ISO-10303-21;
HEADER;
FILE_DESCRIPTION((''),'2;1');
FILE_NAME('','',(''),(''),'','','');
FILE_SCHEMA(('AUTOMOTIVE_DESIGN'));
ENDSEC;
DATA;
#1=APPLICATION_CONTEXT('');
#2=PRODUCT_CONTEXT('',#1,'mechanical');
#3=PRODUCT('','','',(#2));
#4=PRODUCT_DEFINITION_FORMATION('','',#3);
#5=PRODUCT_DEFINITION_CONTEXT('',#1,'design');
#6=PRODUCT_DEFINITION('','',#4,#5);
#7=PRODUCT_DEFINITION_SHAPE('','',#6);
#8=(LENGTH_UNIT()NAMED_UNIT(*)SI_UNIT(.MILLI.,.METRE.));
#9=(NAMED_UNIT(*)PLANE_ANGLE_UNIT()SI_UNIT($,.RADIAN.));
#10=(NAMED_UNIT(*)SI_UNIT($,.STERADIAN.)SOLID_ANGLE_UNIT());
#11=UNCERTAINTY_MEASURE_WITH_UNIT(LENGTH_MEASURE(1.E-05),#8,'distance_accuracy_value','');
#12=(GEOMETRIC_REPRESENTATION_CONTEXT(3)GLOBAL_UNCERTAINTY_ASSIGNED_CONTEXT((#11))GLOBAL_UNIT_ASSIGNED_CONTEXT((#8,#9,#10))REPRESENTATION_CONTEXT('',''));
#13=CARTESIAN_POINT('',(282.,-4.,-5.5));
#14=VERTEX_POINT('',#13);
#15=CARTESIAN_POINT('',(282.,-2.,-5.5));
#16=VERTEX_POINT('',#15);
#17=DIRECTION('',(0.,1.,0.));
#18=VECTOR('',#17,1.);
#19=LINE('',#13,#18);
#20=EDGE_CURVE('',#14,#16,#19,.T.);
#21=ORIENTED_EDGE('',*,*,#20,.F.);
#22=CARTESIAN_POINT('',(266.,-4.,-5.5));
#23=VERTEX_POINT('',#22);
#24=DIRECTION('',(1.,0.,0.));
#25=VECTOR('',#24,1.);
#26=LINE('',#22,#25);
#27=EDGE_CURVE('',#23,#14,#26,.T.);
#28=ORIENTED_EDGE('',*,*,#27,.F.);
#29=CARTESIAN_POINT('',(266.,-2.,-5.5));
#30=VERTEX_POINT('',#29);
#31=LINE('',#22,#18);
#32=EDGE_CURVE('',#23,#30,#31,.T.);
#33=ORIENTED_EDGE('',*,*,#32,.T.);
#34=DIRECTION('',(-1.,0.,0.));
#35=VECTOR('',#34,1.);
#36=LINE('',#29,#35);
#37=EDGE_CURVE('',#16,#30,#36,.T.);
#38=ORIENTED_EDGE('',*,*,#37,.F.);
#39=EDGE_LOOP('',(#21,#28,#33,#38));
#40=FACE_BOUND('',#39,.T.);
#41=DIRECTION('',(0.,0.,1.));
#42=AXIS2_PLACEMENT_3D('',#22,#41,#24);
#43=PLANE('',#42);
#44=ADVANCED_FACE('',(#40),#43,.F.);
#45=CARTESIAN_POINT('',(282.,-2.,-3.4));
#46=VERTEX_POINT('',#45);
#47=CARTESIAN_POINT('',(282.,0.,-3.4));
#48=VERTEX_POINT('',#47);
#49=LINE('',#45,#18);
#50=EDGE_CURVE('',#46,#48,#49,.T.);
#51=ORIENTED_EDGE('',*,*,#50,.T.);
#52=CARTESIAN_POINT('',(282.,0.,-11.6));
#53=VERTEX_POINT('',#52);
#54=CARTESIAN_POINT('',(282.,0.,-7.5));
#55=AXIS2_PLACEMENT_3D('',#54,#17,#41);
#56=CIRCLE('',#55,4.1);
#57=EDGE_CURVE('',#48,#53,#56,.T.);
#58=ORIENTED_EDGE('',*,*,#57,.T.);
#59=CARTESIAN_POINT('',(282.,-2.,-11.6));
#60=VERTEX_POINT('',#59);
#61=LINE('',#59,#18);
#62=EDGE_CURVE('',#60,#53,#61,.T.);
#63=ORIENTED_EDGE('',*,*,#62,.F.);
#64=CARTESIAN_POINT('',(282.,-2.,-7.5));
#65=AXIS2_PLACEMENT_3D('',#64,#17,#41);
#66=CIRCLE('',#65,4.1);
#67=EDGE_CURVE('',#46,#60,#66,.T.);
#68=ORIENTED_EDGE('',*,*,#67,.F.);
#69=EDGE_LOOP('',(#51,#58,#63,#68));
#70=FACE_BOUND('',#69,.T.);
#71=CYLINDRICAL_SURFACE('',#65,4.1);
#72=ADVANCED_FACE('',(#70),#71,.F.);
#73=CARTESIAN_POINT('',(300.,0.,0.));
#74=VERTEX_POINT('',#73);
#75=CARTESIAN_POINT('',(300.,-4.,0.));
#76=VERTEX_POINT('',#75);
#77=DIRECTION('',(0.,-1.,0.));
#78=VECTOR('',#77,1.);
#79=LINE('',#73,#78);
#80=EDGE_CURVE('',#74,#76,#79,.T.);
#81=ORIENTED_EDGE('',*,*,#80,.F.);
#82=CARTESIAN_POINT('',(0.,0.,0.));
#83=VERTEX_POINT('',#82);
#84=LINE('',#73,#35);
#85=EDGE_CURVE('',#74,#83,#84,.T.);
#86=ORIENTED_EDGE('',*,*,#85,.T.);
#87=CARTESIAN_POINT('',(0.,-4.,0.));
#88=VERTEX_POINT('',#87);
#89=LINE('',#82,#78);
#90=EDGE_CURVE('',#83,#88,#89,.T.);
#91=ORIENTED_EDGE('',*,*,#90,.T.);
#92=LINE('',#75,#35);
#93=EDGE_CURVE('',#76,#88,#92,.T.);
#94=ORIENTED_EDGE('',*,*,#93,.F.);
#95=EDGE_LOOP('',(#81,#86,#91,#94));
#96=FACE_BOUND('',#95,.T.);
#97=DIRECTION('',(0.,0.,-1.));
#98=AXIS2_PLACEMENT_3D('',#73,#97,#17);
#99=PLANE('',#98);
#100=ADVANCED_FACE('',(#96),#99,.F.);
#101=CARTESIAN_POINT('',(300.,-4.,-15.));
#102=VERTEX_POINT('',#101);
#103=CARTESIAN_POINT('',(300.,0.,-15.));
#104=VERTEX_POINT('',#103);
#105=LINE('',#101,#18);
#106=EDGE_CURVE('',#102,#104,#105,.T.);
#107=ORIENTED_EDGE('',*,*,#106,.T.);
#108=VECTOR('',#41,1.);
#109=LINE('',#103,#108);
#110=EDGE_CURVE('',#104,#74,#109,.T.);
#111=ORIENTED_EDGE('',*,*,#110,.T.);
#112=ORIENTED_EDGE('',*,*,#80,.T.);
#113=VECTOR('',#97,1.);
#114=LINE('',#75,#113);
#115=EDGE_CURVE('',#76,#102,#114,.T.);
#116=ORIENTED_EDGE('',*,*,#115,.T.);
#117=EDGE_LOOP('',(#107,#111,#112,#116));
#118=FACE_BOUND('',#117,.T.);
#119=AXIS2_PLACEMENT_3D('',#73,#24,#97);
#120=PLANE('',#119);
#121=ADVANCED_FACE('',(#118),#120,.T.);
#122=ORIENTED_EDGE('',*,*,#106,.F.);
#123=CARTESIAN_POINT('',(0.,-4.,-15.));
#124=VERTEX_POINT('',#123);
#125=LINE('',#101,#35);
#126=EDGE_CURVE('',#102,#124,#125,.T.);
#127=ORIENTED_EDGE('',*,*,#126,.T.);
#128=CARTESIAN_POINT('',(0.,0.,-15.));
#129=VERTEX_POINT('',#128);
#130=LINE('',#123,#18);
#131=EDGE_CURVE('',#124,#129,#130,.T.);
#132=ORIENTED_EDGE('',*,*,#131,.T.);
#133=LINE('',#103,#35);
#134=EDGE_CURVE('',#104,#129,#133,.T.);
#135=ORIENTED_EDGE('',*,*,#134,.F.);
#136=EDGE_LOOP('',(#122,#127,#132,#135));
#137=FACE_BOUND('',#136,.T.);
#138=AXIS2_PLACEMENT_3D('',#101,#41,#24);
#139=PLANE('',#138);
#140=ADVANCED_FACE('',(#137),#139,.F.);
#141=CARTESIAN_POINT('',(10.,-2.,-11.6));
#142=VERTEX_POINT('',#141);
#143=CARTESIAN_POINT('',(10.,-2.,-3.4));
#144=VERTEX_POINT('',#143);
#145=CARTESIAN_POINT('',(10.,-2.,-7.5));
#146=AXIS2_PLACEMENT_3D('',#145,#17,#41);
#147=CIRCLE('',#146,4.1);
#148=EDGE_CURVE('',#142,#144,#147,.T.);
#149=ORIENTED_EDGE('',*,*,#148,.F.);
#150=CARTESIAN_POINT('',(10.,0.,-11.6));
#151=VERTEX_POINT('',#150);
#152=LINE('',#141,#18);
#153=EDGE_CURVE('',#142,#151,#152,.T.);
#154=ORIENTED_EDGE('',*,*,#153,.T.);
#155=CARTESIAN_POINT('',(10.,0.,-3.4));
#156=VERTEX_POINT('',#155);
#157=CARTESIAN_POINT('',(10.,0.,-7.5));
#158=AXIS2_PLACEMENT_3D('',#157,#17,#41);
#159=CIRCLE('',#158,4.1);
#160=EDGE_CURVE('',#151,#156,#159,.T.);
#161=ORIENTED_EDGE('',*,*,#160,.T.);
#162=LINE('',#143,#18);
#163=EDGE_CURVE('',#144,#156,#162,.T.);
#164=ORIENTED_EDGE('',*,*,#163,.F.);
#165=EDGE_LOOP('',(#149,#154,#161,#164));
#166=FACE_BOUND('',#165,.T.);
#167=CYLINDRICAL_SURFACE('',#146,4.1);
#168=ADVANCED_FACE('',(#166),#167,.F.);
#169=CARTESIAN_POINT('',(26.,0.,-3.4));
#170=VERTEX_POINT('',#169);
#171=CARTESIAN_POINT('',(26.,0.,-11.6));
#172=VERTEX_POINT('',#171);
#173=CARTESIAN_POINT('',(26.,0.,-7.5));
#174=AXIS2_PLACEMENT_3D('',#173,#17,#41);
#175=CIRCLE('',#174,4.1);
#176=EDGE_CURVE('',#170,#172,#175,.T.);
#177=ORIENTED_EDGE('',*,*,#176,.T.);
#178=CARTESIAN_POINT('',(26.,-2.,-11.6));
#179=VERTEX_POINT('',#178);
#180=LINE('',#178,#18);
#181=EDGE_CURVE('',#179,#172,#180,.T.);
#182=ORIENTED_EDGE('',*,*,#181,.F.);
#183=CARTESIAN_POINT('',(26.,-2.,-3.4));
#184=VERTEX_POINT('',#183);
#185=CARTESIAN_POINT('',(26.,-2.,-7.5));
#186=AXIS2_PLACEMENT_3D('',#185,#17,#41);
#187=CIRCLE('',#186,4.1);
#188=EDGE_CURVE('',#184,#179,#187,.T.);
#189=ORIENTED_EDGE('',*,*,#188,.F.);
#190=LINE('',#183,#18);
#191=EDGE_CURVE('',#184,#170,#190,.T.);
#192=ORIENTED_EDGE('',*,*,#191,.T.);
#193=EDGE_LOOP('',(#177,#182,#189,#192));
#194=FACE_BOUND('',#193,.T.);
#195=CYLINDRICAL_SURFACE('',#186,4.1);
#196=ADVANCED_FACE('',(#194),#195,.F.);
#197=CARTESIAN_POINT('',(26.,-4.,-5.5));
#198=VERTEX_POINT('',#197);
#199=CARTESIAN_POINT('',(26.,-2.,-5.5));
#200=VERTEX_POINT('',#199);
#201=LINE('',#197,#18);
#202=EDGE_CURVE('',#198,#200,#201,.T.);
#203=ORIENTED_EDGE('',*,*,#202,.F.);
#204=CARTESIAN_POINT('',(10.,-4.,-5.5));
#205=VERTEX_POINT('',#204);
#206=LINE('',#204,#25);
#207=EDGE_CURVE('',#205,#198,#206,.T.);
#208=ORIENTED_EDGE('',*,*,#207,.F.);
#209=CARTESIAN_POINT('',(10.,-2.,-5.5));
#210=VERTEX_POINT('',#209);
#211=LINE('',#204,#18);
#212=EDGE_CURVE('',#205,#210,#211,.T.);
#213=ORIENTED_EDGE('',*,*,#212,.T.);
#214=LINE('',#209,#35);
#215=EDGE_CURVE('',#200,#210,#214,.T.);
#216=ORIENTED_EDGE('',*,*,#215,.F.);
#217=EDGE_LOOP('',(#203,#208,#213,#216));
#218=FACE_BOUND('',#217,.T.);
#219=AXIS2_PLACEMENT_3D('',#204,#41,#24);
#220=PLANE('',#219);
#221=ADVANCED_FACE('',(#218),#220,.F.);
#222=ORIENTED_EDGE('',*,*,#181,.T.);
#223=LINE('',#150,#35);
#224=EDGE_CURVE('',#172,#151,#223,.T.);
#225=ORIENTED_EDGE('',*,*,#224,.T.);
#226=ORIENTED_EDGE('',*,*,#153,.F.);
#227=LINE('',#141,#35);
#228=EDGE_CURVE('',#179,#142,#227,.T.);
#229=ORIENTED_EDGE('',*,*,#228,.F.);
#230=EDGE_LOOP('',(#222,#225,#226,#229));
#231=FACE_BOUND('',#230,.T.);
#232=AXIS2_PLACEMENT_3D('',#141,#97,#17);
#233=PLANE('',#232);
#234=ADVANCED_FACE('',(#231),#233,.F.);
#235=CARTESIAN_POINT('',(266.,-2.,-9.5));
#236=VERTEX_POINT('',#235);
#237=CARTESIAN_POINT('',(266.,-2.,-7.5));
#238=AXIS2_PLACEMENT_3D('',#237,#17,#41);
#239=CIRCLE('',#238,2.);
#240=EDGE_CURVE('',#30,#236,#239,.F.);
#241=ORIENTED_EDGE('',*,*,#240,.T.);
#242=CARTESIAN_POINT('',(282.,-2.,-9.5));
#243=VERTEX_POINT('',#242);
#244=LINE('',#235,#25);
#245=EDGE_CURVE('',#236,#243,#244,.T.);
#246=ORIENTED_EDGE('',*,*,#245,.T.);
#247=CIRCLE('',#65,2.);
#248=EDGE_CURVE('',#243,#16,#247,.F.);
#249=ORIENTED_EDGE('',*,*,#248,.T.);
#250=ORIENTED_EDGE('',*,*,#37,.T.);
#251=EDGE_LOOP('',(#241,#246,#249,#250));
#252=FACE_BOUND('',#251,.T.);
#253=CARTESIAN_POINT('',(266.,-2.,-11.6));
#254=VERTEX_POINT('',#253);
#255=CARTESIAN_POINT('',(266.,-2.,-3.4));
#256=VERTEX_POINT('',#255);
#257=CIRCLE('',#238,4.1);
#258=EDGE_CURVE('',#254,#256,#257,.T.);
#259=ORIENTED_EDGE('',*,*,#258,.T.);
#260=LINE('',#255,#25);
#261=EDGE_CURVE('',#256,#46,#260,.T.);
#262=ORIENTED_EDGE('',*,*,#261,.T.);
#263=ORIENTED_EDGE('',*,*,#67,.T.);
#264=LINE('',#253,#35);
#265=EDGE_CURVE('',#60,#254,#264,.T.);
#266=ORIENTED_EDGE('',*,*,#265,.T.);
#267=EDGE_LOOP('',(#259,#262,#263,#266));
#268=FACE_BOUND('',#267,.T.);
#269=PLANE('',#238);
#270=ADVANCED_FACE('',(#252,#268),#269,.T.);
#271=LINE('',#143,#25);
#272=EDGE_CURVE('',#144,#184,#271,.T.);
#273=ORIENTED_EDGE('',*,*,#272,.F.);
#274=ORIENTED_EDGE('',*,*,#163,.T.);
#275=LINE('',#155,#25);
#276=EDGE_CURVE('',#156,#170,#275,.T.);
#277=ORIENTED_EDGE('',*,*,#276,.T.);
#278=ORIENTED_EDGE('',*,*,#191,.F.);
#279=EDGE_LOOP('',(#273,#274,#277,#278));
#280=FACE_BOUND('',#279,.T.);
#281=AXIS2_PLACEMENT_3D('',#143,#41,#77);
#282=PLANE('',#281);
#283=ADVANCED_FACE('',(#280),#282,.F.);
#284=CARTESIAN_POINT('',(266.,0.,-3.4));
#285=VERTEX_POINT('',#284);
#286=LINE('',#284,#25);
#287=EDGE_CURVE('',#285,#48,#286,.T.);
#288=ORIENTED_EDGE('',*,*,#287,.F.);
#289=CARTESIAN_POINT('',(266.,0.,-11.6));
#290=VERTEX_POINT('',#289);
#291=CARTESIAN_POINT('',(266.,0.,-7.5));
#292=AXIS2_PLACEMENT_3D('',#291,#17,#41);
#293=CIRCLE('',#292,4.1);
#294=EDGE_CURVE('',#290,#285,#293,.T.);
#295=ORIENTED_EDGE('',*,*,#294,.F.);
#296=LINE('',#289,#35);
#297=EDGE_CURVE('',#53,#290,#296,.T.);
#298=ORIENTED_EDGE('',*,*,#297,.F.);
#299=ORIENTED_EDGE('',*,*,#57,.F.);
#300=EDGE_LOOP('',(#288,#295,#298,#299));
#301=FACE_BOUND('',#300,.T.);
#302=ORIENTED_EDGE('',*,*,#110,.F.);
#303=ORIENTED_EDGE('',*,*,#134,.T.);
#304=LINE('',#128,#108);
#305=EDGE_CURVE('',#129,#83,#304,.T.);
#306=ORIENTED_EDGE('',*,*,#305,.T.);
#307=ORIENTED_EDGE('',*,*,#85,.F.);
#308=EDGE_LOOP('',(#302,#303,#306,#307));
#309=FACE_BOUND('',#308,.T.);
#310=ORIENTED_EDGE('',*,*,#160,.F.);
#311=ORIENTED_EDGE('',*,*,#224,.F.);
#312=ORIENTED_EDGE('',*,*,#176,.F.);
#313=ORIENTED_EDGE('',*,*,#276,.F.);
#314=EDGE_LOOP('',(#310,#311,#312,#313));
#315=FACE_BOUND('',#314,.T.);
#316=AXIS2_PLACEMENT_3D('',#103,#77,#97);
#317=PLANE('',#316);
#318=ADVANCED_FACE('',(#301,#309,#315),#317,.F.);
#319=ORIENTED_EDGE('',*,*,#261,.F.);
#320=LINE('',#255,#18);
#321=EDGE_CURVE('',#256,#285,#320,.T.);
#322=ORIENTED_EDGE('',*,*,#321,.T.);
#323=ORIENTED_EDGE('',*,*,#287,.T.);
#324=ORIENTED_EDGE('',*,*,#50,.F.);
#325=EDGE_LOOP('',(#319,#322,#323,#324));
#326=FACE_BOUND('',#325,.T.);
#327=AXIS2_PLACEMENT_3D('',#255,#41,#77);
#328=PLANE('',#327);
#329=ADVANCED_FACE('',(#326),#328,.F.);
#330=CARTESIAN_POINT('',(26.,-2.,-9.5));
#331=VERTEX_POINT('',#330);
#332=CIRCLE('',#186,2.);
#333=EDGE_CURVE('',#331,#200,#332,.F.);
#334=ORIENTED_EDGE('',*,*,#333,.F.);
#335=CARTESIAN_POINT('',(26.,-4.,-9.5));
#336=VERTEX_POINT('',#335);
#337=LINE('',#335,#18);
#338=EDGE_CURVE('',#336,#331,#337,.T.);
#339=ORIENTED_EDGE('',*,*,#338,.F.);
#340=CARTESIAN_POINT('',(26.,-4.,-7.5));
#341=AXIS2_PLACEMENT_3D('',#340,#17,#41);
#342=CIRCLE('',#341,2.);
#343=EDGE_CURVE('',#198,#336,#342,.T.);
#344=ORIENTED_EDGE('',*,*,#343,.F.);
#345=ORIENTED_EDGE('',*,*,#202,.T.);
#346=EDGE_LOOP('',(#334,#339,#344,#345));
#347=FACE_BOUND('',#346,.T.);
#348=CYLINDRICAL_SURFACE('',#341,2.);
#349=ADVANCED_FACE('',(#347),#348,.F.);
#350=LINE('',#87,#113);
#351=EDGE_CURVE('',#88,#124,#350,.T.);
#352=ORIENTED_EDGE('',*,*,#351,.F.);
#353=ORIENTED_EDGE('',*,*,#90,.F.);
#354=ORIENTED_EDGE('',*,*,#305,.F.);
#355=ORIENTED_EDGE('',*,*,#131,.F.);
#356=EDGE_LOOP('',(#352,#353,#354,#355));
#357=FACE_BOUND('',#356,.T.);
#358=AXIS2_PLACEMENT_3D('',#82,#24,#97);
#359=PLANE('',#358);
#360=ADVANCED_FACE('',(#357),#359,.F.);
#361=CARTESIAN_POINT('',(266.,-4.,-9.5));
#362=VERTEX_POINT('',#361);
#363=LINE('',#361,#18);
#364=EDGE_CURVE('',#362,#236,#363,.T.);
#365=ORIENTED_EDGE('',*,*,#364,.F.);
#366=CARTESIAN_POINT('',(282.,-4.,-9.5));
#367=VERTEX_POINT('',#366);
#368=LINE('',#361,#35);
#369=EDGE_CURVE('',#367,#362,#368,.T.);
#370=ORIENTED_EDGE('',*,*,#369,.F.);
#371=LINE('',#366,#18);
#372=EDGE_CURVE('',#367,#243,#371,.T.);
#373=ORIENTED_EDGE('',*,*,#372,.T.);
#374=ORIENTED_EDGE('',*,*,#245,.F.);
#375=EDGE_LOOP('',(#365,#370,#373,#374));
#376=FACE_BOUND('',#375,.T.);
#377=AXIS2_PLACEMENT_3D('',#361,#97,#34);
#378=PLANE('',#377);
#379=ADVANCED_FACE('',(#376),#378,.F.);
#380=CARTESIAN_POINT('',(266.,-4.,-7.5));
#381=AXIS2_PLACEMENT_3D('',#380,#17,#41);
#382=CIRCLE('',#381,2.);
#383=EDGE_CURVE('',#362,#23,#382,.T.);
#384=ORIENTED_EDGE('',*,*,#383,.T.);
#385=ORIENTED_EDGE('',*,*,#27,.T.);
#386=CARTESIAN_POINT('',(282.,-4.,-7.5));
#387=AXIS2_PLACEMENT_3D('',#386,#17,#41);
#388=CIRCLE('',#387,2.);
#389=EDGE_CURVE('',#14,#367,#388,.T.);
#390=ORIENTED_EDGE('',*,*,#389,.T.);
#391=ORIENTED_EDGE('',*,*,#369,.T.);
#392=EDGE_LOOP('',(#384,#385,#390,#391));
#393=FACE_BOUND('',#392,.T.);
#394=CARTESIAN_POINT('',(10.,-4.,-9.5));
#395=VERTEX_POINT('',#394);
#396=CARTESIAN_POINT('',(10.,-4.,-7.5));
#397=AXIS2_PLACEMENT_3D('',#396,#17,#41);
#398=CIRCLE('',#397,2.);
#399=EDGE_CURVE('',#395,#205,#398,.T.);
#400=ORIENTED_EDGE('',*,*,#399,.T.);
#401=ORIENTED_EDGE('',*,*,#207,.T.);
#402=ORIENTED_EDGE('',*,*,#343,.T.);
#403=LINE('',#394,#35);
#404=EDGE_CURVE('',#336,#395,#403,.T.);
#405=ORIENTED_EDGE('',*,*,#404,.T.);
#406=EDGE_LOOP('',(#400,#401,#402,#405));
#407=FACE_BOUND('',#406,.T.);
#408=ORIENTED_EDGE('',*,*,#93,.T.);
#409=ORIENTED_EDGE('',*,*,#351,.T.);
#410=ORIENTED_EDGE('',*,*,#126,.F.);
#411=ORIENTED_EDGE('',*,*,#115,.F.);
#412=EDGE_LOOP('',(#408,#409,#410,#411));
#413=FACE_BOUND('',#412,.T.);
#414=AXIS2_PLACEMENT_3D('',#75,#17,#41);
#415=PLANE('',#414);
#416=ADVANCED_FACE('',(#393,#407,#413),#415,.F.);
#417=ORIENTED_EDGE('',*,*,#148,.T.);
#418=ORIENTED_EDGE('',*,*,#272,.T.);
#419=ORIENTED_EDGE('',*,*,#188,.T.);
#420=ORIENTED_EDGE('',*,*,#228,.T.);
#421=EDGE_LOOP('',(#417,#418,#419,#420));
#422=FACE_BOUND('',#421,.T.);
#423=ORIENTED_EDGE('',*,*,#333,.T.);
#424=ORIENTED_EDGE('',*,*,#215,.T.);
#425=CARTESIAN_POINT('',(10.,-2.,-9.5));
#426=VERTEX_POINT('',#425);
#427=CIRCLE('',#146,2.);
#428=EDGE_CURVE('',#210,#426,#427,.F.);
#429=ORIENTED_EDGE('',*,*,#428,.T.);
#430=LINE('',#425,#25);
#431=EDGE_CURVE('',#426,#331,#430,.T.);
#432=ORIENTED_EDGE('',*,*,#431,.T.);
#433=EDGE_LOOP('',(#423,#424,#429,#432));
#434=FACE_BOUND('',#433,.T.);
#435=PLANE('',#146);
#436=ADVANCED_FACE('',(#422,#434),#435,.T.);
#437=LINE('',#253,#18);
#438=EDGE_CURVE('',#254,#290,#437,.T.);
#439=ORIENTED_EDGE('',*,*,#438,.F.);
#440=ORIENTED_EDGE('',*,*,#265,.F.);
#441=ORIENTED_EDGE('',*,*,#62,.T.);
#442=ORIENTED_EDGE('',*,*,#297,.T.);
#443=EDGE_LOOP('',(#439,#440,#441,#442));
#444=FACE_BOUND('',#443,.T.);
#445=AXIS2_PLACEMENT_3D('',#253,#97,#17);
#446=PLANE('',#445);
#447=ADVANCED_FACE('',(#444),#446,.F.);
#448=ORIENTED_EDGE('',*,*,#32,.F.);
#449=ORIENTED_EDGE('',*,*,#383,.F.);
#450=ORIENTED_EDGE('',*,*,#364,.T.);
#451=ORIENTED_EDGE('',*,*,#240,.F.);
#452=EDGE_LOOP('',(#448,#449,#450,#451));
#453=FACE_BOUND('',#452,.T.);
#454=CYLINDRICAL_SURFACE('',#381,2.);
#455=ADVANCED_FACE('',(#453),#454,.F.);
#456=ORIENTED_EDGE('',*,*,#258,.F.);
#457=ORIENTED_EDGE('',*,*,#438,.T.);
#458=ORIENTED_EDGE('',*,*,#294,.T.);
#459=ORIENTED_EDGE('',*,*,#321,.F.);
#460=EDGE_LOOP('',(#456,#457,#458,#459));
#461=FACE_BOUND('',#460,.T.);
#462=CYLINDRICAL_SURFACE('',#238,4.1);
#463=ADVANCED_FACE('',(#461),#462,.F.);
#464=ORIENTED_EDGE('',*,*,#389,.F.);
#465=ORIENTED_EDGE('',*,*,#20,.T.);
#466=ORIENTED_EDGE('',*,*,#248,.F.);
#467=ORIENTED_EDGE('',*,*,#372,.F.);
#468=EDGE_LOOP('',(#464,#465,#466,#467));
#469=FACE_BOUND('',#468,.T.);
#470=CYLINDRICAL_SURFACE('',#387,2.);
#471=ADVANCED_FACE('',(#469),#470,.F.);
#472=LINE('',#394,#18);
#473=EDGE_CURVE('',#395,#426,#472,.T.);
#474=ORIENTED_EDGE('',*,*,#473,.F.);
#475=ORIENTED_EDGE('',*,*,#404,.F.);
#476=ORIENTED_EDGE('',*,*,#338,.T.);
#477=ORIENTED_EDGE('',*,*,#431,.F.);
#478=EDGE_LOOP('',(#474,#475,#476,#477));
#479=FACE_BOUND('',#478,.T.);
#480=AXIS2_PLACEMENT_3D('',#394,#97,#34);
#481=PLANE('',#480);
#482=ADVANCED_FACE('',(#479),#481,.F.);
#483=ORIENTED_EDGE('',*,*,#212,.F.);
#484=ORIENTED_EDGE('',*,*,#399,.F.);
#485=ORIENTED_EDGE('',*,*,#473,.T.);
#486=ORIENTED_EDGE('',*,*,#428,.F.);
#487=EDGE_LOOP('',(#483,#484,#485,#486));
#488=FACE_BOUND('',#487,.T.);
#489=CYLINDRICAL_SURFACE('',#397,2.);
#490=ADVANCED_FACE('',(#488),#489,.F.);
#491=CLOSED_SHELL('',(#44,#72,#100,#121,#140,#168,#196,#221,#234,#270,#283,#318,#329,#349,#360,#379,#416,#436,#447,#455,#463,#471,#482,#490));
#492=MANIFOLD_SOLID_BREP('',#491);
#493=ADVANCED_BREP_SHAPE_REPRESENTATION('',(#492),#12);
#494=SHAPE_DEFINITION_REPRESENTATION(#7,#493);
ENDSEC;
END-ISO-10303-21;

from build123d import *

# Parameters (mm, degrees)
SKETCH1_W           = 15
SKETCH1_H           = 4
BOSS_EXTRUDE1_DEPTH = 300
CUT_EXTRUDE1_DEPTH  = 301.401398133
CUT_EXTRUDE2_DEPTH  = 2


with BuildPart() as part:
    # Sketch1 → Boss-Extrude1 (new body)
    with BuildSketch(Plane(origin=(0, 0, 0), x_dir=(0, 0, -1), z_dir=(1, 0, 0))):
        with Locations((7.5, -2)):
            Rectangle(SKETCH1_W, SKETCH1_H)
    extrude(amount=BOSS_EXTRUDE1_DEPTH)

    # Sketch3 → Cut-Extrude1 (cut, through all)
    with BuildSketch(Plane(origin=(0, 0, 0), x_dir=(1, 0, 0), z_dir=(0, 1, 0))):
        with BuildLine():
            Line((10, 9.5), (26, 9.5))
            ThreePointArc((26, 9.5), (28, 7.5), (26, 5.5))
            Line((26, 5.5), (10, 5.5))
            ThreePointArc((10, 5.5), (8, 7.5), (10, 9.5))
        make_face()
        with BuildLine():
            Line((266, 9.5), (282, 9.5))
            ThreePointArc((282, 9.5), (284, 7.5), (282, 5.5))
            Line((282, 5.5), (266, 5.5))
            ThreePointArc((266, 5.5), (264, 7.5), (266, 9.5))
        make_face()
    extrude(amount=-CUT_EXTRUDE1_DEPTH, mode=Mode.SUBTRACT)

    # Sketch4 → Cut-Extrude2 (cut)
    with BuildSketch(Plane(origin=(0, 0, 0), x_dir=(1, 0, 0), z_dir=(0, 1, 0))):
        with BuildLine():
            Line((10, 11.6), (26, 11.6))
            ThreePointArc((26, 11.6), (30.1, 7.5), (26, 3.4))
            Line((26, 3.4), (10, 3.4))
            ThreePointArc((10, 3.4), (5.9, 7.5), (10, 11.6))
        make_face()
        with BuildLine():
            Line((266, 11.6), (282, 11.6))
            ThreePointArc((282, 11.6), (286.1, 7.5), (282, 3.4))
            Line((282, 3.4), (266, 3.4))
            ThreePointArc((266, 3.4), (261.9, 7.5), (266, 11.6))
        make_face()
    extrude(amount=-CUT_EXTRUDE2_DEPTH, mode=Mode.SUBTRACT)


solid = part.part
